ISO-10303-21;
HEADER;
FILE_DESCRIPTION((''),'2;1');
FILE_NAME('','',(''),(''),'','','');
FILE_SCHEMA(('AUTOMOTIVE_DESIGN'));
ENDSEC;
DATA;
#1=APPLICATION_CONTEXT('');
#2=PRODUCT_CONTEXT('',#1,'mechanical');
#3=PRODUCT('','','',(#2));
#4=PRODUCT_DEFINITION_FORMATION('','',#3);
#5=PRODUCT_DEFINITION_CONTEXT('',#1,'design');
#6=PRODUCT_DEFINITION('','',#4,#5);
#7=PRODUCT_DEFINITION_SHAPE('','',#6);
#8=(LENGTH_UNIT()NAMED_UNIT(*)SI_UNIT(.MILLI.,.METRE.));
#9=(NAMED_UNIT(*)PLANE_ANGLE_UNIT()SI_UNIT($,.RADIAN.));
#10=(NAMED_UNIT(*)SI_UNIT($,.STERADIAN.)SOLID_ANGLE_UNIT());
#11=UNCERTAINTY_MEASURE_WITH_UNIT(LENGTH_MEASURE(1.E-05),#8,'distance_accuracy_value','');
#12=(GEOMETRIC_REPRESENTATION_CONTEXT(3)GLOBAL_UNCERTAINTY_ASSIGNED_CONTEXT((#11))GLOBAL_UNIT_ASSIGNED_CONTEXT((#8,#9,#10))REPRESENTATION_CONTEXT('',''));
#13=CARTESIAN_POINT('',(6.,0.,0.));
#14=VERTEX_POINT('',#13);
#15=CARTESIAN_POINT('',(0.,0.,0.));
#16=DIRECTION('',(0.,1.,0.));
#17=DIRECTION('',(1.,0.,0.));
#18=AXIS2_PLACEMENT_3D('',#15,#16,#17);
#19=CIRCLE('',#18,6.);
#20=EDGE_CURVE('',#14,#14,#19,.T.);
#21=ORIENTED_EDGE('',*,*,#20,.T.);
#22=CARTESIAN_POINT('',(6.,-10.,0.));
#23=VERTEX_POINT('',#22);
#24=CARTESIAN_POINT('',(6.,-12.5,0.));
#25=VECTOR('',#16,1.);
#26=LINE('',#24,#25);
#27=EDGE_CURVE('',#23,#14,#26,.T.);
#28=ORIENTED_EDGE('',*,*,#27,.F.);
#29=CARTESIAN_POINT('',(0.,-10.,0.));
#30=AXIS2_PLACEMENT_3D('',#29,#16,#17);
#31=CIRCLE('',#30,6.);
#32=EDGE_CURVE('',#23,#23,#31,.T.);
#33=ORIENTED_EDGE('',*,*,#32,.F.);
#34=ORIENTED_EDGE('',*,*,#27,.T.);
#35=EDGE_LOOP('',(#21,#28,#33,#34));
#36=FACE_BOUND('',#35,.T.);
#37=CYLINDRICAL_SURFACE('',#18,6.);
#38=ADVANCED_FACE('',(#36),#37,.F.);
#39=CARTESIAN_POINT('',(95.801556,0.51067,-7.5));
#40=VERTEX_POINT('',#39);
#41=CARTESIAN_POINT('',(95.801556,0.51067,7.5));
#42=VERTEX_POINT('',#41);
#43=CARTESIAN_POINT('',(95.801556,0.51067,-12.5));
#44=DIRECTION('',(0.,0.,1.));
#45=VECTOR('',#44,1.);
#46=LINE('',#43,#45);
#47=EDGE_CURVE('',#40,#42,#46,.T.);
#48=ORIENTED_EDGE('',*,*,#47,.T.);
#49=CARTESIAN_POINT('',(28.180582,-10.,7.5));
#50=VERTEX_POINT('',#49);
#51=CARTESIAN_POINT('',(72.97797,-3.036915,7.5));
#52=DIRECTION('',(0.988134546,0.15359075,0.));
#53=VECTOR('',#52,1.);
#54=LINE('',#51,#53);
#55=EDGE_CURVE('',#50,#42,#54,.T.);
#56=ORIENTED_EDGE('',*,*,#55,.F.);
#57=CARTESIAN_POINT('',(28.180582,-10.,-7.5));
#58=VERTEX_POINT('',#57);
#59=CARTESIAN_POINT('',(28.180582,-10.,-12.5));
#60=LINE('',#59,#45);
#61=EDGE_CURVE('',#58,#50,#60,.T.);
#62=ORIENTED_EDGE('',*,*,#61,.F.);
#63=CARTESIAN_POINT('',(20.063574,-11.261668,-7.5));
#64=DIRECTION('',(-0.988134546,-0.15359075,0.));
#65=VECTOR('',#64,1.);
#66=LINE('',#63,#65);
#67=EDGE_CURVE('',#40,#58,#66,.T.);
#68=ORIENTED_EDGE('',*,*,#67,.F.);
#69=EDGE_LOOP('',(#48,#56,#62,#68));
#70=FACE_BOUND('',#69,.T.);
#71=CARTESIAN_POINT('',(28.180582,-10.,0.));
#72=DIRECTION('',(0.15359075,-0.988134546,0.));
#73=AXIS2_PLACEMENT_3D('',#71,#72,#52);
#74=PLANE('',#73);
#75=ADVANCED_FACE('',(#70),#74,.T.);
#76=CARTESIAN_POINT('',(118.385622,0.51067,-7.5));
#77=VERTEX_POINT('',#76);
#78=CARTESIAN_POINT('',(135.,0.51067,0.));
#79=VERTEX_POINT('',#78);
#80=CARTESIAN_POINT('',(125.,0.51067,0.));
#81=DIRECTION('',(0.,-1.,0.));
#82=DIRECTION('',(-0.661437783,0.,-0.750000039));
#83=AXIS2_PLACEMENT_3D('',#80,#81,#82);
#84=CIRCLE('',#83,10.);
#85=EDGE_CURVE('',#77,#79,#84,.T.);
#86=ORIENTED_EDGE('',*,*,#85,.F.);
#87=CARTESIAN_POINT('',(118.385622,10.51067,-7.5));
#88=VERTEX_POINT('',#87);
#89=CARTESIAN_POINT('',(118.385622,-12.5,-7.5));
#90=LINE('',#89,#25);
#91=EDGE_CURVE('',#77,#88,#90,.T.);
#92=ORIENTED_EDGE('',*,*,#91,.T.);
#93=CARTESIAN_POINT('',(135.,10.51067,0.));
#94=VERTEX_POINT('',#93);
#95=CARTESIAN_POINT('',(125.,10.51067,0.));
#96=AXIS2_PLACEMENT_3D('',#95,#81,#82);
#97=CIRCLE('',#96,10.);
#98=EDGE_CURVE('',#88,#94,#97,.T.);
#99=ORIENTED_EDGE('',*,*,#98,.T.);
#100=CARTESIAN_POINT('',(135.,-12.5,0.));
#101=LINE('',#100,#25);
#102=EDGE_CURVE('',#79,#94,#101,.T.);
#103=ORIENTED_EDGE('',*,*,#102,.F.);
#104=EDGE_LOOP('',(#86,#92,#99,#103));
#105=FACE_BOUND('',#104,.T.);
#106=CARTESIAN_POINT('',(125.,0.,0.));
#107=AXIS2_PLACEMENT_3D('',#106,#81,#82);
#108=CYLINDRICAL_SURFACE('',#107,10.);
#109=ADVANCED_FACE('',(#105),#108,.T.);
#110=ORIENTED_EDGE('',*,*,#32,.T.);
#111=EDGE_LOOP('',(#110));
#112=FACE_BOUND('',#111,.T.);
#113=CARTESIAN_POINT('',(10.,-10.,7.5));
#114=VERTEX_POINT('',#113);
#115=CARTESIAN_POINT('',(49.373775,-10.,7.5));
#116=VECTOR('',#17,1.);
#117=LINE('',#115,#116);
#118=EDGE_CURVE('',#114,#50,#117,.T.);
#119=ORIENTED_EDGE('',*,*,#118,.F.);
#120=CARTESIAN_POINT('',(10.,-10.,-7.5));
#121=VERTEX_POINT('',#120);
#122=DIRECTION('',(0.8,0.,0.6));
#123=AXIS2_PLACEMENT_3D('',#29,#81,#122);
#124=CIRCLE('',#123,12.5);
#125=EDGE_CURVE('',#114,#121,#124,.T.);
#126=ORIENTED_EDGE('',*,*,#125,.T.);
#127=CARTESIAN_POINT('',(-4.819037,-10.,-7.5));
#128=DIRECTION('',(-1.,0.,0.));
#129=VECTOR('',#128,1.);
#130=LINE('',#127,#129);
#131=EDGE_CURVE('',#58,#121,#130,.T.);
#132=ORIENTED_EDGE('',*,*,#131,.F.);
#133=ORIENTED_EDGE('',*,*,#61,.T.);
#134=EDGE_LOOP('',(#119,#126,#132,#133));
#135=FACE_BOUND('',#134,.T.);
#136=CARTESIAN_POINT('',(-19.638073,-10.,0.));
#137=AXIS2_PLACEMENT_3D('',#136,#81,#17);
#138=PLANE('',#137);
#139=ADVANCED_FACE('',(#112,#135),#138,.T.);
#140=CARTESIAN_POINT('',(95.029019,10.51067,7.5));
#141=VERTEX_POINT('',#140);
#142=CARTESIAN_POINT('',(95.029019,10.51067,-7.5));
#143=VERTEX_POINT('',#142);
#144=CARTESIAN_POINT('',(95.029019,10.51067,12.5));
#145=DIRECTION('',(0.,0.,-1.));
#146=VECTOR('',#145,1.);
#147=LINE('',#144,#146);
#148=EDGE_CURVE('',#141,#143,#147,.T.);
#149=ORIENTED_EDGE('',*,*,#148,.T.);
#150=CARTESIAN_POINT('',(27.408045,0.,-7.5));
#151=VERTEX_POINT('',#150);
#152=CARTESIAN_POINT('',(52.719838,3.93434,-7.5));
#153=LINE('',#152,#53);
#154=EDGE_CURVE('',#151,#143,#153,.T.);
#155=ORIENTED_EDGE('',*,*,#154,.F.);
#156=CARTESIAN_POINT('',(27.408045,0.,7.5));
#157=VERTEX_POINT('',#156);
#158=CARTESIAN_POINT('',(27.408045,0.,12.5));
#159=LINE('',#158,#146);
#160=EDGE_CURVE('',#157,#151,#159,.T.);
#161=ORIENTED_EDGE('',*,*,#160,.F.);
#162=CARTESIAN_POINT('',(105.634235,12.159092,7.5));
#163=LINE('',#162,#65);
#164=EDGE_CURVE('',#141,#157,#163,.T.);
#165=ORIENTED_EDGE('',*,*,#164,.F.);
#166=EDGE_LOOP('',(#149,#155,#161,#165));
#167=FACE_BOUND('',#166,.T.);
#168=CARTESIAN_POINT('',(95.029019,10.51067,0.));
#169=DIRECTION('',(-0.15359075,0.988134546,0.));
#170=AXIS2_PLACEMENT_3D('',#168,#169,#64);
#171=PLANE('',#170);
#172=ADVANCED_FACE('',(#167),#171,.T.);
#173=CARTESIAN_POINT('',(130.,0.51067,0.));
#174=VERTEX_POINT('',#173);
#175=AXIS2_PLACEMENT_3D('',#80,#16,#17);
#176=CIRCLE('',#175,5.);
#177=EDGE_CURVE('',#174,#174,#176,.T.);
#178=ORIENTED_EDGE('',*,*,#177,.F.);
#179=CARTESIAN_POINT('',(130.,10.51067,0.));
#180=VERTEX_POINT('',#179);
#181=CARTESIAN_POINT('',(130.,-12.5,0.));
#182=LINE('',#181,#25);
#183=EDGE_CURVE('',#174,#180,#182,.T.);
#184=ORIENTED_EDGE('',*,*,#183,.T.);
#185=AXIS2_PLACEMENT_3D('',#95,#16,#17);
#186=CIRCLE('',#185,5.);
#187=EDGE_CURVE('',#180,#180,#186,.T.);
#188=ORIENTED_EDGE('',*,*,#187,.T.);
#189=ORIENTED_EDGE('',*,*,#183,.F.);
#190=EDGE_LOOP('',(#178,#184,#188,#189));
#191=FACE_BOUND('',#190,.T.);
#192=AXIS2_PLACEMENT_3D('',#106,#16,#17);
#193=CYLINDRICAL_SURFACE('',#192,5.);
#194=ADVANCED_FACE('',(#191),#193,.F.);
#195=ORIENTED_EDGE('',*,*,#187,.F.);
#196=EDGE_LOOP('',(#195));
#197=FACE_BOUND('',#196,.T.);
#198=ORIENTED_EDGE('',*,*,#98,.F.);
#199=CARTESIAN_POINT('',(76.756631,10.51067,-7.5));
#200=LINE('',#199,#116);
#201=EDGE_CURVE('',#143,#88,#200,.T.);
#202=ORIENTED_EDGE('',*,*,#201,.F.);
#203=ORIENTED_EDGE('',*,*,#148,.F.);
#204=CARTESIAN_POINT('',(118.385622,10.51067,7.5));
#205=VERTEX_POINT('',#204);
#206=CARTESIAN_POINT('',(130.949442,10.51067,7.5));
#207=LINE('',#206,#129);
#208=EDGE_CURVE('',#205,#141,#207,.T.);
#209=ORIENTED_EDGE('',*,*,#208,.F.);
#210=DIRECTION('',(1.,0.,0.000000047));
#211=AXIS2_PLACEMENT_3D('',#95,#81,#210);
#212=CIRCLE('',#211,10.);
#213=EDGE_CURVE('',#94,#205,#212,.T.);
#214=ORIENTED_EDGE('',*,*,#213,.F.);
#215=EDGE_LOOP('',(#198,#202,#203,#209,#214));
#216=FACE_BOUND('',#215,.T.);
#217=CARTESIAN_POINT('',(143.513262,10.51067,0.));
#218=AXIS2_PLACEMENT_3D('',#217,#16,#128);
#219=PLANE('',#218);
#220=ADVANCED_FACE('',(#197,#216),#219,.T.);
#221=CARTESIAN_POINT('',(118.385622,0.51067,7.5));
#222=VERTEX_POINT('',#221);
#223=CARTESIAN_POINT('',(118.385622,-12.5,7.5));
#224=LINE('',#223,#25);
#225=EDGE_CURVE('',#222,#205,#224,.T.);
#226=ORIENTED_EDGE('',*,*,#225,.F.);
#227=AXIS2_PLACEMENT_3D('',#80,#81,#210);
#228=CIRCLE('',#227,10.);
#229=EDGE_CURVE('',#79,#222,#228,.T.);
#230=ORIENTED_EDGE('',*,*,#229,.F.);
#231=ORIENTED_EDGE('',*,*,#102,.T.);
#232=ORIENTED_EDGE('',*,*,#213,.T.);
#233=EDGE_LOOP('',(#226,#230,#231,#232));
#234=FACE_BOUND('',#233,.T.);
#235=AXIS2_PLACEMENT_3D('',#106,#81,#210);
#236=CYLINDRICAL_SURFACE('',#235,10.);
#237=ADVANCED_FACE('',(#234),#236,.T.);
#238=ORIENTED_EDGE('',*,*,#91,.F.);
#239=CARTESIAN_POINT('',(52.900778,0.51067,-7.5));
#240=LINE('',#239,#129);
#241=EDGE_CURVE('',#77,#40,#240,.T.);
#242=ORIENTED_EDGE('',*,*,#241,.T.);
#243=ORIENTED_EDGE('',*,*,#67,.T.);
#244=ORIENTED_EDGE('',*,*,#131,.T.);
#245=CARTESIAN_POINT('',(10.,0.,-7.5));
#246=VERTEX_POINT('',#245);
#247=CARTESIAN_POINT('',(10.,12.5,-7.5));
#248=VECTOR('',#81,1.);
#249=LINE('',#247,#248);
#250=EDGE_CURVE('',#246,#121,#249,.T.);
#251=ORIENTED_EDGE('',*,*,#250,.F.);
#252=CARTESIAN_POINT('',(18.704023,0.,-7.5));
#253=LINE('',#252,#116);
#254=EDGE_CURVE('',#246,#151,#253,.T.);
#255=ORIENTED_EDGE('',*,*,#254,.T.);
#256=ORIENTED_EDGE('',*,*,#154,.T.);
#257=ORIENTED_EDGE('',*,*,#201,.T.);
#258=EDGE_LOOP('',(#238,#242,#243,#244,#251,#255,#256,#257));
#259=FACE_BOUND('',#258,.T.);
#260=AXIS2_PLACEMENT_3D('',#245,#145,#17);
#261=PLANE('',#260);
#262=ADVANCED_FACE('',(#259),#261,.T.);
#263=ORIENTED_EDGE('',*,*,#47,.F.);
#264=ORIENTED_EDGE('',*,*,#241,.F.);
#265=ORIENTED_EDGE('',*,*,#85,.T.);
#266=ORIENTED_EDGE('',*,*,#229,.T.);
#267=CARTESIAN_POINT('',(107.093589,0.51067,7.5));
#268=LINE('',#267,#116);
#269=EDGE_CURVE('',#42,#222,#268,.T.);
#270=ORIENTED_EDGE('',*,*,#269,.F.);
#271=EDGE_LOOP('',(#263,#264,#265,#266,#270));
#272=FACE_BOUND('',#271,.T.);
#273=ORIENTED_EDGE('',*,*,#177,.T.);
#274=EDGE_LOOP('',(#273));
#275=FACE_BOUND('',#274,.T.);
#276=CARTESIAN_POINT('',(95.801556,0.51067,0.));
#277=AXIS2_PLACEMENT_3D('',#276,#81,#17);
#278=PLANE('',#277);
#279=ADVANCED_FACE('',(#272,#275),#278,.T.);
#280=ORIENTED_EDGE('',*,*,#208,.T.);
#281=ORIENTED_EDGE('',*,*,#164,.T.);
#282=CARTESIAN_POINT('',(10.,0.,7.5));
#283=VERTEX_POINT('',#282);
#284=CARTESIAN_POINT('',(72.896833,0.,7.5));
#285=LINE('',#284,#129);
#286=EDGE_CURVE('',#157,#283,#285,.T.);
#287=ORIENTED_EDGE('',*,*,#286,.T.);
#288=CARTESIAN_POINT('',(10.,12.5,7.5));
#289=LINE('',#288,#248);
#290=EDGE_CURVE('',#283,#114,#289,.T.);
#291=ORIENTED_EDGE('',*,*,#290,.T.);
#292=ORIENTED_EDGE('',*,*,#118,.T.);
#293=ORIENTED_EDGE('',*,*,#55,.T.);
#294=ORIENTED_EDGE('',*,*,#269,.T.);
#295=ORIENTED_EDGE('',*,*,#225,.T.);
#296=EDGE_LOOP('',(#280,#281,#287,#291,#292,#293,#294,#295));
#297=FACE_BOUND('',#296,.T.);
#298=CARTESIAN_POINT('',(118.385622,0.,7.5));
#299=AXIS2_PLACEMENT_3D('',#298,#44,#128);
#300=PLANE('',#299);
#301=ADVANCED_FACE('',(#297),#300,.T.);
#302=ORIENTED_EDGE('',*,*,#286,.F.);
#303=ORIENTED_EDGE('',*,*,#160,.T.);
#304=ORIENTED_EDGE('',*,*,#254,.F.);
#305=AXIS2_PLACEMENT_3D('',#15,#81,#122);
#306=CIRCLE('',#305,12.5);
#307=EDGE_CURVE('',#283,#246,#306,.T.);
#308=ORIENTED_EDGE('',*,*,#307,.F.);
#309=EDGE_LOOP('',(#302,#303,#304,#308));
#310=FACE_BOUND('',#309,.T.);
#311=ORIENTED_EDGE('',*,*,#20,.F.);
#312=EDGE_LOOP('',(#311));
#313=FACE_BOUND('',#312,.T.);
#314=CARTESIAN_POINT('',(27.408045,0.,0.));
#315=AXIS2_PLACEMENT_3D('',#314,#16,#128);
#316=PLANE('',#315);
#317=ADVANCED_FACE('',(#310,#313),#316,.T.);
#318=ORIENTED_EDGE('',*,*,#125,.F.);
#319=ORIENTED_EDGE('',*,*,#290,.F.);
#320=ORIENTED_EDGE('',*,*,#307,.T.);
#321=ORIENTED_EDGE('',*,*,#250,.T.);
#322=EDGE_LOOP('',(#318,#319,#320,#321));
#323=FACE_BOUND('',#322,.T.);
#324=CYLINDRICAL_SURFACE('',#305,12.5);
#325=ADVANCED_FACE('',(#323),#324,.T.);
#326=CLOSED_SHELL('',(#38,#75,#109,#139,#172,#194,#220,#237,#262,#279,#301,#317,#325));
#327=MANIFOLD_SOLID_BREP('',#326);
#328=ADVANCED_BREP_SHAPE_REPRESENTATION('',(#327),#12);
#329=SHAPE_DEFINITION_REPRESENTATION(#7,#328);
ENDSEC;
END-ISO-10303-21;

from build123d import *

# Parameters (mm, degrees)
F0_R     = 5
F0_R_2   = 6
F1_DEPTH = 12.5
F3_DEPTH = 12.5


with BuildPart() as f1:
    # F0 (on Front) → F1 (new body, symmetric)
    with BuildSketch(Plane.XZ):
        with BuildLine():
            ThreePointArc((10, 7.5), (11.858541, 3.952847), (12.5, 0))
            ThreePointArc((12.5, 0), (11.858541, -3.952847), (10, -7.5))
            Line((10, -7.5), (118.385622, -7.5))
            ThreePointArc((118.385622, -7.5), (115, 0), (118.385622, 7.5))
            Line((118.385622, 7.5), (10, 7.5))
        make_face()
        with BuildLine():
            ThreePointArc((135, 0), (129.114378, 9.114378), (118.385622, 7.5))
            ThreePointArc((118.385622, 7.5), (115, 0), (118.385622, -7.5))
            ThreePointArc((118.385622, -7.5), (129.114378, -9.114378), (135, 0))
        make_face()
        with Locations((125, 0)):
            Circle(F0_R, mode=Mode.SUBTRACT)
        with BuildLine():
            ThreePointArc((10, -7.5), (11.858541, -3.952847), (12.5, 0))
            ThreePointArc((12.5, 0), (11.858541, 3.952847), (10, 7.5))
            ThreePointArc((10, 7.5), (-12.5, 0), (10, -7.5))
        make_face()
        Circle(F0_R_2, mode=Mode.SUBTRACT)
    extrude(amount=F1_DEPTH, both=True)

    # F2 (on Top) → F3 (intersect, symmetric)
    with BuildSketch(Plane.XY):
        Polygon((27.408045, 0), (-19.638073, 0), (-19.638073, -10), (28.180582, -10), (95.801556, 0.51067), (143.513262, 0.51067), (143.513262, 10.51067), (95.029019, 10.51067), align=None)
    extrude(amount=F3_DEPTH, both=True, mode=Mode.INTERSECT)


solid = f1.part
